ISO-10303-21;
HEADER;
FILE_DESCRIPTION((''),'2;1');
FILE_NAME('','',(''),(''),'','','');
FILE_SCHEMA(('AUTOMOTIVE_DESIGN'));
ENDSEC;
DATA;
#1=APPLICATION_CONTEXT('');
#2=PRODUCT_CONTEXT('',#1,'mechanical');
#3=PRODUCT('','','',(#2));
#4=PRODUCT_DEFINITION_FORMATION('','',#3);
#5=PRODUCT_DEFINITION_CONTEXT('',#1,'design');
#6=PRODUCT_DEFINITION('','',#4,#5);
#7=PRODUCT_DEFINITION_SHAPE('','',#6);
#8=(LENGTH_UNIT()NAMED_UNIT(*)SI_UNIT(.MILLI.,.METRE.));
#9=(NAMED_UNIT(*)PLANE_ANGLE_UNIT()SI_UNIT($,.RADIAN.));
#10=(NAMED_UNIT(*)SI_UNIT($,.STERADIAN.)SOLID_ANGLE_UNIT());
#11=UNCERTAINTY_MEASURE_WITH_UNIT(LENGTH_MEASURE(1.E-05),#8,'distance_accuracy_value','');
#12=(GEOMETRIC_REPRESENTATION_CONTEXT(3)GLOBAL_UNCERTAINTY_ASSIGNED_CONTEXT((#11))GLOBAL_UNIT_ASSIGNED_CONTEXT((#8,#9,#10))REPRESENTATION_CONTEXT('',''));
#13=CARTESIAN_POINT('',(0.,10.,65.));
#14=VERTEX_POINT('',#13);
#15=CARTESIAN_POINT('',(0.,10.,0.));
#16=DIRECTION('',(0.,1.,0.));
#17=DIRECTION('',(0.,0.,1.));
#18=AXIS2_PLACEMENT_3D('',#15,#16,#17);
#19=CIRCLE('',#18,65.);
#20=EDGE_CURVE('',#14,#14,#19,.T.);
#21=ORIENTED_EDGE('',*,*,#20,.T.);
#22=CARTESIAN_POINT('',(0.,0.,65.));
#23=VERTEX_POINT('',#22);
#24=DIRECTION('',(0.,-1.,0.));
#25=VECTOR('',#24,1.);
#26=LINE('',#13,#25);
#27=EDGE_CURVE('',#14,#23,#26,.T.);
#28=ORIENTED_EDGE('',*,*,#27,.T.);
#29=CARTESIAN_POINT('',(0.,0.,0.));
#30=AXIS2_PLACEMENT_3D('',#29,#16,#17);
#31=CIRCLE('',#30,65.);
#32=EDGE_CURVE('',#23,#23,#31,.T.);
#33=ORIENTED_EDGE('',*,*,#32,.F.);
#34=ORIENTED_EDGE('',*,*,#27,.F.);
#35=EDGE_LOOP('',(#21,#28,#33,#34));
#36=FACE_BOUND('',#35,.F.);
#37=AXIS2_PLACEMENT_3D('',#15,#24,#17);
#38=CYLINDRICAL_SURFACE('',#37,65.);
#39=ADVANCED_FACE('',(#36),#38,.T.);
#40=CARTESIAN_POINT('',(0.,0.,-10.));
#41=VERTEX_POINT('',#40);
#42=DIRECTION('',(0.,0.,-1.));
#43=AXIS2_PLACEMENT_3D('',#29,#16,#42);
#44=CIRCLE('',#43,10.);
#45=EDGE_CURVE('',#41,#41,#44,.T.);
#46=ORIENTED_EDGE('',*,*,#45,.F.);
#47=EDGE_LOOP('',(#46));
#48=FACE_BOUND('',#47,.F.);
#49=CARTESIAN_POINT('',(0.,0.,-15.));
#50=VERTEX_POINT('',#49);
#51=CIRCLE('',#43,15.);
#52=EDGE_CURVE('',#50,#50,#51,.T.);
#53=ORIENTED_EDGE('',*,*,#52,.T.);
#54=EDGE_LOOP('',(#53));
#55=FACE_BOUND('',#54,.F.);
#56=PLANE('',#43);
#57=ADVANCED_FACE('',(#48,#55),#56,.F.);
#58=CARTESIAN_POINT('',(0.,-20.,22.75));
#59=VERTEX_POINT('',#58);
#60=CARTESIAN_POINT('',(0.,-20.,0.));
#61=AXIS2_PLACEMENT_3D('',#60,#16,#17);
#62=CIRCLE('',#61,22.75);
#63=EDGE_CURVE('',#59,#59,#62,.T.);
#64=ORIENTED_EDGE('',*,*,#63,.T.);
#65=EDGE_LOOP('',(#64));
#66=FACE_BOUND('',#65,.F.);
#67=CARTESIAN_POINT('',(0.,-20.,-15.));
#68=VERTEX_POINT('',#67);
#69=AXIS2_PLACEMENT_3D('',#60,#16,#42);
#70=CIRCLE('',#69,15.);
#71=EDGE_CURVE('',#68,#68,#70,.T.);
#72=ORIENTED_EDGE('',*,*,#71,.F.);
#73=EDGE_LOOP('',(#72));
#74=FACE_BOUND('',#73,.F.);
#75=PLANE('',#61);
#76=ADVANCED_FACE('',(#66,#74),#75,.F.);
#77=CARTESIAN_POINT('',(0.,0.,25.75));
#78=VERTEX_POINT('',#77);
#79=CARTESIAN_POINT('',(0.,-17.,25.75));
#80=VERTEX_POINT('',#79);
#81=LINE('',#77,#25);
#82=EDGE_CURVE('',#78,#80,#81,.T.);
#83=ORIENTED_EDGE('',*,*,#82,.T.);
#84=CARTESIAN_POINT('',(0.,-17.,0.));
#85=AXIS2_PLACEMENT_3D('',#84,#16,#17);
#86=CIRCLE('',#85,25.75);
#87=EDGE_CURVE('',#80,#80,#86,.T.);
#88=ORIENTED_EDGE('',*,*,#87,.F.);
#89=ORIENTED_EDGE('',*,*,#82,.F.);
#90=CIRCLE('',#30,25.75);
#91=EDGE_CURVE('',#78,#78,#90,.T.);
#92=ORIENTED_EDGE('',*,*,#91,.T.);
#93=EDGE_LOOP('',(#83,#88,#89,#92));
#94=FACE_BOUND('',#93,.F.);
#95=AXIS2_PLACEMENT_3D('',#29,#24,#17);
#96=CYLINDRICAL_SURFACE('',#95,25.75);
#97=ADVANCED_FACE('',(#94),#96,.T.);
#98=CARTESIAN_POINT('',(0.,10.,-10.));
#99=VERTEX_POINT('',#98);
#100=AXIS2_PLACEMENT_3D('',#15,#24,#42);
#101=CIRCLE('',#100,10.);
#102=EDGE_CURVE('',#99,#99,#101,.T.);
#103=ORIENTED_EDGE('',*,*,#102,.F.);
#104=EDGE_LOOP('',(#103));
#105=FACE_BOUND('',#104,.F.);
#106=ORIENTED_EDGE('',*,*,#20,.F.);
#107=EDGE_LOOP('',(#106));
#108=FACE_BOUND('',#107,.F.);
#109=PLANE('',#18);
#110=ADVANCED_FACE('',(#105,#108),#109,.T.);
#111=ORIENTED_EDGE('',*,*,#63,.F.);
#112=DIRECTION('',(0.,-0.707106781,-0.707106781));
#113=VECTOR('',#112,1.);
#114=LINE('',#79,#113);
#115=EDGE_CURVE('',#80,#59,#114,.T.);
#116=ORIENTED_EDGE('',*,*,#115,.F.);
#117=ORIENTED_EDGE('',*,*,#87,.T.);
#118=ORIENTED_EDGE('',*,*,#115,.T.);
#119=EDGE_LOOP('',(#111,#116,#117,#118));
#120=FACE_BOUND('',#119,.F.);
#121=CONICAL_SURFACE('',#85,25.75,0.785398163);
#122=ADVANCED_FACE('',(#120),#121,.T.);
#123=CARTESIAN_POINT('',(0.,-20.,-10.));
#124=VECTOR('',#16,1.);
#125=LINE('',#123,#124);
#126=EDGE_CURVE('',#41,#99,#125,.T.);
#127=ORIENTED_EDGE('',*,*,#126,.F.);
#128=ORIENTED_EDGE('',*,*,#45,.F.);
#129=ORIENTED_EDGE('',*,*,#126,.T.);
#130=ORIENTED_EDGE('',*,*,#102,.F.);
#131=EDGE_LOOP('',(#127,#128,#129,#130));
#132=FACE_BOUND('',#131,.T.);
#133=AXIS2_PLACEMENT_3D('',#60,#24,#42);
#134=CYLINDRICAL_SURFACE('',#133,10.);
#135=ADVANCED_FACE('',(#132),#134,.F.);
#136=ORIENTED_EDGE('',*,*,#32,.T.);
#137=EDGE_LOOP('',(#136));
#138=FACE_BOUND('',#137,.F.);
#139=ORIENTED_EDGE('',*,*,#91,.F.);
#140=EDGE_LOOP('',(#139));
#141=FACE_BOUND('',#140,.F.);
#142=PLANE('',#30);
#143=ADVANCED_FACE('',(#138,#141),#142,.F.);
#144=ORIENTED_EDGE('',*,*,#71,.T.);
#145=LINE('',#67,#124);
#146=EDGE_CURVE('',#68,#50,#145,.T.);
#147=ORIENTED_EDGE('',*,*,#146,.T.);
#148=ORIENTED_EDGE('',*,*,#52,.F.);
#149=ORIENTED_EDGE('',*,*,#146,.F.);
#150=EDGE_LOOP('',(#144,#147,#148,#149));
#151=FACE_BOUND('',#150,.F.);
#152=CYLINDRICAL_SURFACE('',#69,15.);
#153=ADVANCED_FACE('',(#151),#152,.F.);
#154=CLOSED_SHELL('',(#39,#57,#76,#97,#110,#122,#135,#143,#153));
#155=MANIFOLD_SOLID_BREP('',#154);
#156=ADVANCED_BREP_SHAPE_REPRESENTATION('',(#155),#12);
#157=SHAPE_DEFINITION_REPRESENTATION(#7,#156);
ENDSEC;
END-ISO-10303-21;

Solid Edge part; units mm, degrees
sketch "Sketch1" plane through (0, 0, 0) normal (1, 0, 0) x (0, 1, 0)
  line L0 (0, 65) -> (0, 25.75)
  line L1 (0, 25.75) -> (-20, 25.75)
  line L2 (-20, 25.75) -> (-20, 0)
  line L3 (-20, 0) -> (10, 0)
  line L4 (10, 0) -> (10, 65)
  line L5 (10, 65) -> (0, 65)
revolve "RevolvedProtrusion1" add sketch "Sketch1" angle 360 about axis through (0, -20, 0) along (0, 1, 0)
hole "Agujero_1" at (0, -20, 0) direction (0, 1, 0) diameter 20 end up to next counterbore diameter 30 counterbore depth 20
chamfer "Chaflán_1" distance 3 angle 45 1 edges at (0, -20, 25.75)
properties material "Acero ASTM A36"
